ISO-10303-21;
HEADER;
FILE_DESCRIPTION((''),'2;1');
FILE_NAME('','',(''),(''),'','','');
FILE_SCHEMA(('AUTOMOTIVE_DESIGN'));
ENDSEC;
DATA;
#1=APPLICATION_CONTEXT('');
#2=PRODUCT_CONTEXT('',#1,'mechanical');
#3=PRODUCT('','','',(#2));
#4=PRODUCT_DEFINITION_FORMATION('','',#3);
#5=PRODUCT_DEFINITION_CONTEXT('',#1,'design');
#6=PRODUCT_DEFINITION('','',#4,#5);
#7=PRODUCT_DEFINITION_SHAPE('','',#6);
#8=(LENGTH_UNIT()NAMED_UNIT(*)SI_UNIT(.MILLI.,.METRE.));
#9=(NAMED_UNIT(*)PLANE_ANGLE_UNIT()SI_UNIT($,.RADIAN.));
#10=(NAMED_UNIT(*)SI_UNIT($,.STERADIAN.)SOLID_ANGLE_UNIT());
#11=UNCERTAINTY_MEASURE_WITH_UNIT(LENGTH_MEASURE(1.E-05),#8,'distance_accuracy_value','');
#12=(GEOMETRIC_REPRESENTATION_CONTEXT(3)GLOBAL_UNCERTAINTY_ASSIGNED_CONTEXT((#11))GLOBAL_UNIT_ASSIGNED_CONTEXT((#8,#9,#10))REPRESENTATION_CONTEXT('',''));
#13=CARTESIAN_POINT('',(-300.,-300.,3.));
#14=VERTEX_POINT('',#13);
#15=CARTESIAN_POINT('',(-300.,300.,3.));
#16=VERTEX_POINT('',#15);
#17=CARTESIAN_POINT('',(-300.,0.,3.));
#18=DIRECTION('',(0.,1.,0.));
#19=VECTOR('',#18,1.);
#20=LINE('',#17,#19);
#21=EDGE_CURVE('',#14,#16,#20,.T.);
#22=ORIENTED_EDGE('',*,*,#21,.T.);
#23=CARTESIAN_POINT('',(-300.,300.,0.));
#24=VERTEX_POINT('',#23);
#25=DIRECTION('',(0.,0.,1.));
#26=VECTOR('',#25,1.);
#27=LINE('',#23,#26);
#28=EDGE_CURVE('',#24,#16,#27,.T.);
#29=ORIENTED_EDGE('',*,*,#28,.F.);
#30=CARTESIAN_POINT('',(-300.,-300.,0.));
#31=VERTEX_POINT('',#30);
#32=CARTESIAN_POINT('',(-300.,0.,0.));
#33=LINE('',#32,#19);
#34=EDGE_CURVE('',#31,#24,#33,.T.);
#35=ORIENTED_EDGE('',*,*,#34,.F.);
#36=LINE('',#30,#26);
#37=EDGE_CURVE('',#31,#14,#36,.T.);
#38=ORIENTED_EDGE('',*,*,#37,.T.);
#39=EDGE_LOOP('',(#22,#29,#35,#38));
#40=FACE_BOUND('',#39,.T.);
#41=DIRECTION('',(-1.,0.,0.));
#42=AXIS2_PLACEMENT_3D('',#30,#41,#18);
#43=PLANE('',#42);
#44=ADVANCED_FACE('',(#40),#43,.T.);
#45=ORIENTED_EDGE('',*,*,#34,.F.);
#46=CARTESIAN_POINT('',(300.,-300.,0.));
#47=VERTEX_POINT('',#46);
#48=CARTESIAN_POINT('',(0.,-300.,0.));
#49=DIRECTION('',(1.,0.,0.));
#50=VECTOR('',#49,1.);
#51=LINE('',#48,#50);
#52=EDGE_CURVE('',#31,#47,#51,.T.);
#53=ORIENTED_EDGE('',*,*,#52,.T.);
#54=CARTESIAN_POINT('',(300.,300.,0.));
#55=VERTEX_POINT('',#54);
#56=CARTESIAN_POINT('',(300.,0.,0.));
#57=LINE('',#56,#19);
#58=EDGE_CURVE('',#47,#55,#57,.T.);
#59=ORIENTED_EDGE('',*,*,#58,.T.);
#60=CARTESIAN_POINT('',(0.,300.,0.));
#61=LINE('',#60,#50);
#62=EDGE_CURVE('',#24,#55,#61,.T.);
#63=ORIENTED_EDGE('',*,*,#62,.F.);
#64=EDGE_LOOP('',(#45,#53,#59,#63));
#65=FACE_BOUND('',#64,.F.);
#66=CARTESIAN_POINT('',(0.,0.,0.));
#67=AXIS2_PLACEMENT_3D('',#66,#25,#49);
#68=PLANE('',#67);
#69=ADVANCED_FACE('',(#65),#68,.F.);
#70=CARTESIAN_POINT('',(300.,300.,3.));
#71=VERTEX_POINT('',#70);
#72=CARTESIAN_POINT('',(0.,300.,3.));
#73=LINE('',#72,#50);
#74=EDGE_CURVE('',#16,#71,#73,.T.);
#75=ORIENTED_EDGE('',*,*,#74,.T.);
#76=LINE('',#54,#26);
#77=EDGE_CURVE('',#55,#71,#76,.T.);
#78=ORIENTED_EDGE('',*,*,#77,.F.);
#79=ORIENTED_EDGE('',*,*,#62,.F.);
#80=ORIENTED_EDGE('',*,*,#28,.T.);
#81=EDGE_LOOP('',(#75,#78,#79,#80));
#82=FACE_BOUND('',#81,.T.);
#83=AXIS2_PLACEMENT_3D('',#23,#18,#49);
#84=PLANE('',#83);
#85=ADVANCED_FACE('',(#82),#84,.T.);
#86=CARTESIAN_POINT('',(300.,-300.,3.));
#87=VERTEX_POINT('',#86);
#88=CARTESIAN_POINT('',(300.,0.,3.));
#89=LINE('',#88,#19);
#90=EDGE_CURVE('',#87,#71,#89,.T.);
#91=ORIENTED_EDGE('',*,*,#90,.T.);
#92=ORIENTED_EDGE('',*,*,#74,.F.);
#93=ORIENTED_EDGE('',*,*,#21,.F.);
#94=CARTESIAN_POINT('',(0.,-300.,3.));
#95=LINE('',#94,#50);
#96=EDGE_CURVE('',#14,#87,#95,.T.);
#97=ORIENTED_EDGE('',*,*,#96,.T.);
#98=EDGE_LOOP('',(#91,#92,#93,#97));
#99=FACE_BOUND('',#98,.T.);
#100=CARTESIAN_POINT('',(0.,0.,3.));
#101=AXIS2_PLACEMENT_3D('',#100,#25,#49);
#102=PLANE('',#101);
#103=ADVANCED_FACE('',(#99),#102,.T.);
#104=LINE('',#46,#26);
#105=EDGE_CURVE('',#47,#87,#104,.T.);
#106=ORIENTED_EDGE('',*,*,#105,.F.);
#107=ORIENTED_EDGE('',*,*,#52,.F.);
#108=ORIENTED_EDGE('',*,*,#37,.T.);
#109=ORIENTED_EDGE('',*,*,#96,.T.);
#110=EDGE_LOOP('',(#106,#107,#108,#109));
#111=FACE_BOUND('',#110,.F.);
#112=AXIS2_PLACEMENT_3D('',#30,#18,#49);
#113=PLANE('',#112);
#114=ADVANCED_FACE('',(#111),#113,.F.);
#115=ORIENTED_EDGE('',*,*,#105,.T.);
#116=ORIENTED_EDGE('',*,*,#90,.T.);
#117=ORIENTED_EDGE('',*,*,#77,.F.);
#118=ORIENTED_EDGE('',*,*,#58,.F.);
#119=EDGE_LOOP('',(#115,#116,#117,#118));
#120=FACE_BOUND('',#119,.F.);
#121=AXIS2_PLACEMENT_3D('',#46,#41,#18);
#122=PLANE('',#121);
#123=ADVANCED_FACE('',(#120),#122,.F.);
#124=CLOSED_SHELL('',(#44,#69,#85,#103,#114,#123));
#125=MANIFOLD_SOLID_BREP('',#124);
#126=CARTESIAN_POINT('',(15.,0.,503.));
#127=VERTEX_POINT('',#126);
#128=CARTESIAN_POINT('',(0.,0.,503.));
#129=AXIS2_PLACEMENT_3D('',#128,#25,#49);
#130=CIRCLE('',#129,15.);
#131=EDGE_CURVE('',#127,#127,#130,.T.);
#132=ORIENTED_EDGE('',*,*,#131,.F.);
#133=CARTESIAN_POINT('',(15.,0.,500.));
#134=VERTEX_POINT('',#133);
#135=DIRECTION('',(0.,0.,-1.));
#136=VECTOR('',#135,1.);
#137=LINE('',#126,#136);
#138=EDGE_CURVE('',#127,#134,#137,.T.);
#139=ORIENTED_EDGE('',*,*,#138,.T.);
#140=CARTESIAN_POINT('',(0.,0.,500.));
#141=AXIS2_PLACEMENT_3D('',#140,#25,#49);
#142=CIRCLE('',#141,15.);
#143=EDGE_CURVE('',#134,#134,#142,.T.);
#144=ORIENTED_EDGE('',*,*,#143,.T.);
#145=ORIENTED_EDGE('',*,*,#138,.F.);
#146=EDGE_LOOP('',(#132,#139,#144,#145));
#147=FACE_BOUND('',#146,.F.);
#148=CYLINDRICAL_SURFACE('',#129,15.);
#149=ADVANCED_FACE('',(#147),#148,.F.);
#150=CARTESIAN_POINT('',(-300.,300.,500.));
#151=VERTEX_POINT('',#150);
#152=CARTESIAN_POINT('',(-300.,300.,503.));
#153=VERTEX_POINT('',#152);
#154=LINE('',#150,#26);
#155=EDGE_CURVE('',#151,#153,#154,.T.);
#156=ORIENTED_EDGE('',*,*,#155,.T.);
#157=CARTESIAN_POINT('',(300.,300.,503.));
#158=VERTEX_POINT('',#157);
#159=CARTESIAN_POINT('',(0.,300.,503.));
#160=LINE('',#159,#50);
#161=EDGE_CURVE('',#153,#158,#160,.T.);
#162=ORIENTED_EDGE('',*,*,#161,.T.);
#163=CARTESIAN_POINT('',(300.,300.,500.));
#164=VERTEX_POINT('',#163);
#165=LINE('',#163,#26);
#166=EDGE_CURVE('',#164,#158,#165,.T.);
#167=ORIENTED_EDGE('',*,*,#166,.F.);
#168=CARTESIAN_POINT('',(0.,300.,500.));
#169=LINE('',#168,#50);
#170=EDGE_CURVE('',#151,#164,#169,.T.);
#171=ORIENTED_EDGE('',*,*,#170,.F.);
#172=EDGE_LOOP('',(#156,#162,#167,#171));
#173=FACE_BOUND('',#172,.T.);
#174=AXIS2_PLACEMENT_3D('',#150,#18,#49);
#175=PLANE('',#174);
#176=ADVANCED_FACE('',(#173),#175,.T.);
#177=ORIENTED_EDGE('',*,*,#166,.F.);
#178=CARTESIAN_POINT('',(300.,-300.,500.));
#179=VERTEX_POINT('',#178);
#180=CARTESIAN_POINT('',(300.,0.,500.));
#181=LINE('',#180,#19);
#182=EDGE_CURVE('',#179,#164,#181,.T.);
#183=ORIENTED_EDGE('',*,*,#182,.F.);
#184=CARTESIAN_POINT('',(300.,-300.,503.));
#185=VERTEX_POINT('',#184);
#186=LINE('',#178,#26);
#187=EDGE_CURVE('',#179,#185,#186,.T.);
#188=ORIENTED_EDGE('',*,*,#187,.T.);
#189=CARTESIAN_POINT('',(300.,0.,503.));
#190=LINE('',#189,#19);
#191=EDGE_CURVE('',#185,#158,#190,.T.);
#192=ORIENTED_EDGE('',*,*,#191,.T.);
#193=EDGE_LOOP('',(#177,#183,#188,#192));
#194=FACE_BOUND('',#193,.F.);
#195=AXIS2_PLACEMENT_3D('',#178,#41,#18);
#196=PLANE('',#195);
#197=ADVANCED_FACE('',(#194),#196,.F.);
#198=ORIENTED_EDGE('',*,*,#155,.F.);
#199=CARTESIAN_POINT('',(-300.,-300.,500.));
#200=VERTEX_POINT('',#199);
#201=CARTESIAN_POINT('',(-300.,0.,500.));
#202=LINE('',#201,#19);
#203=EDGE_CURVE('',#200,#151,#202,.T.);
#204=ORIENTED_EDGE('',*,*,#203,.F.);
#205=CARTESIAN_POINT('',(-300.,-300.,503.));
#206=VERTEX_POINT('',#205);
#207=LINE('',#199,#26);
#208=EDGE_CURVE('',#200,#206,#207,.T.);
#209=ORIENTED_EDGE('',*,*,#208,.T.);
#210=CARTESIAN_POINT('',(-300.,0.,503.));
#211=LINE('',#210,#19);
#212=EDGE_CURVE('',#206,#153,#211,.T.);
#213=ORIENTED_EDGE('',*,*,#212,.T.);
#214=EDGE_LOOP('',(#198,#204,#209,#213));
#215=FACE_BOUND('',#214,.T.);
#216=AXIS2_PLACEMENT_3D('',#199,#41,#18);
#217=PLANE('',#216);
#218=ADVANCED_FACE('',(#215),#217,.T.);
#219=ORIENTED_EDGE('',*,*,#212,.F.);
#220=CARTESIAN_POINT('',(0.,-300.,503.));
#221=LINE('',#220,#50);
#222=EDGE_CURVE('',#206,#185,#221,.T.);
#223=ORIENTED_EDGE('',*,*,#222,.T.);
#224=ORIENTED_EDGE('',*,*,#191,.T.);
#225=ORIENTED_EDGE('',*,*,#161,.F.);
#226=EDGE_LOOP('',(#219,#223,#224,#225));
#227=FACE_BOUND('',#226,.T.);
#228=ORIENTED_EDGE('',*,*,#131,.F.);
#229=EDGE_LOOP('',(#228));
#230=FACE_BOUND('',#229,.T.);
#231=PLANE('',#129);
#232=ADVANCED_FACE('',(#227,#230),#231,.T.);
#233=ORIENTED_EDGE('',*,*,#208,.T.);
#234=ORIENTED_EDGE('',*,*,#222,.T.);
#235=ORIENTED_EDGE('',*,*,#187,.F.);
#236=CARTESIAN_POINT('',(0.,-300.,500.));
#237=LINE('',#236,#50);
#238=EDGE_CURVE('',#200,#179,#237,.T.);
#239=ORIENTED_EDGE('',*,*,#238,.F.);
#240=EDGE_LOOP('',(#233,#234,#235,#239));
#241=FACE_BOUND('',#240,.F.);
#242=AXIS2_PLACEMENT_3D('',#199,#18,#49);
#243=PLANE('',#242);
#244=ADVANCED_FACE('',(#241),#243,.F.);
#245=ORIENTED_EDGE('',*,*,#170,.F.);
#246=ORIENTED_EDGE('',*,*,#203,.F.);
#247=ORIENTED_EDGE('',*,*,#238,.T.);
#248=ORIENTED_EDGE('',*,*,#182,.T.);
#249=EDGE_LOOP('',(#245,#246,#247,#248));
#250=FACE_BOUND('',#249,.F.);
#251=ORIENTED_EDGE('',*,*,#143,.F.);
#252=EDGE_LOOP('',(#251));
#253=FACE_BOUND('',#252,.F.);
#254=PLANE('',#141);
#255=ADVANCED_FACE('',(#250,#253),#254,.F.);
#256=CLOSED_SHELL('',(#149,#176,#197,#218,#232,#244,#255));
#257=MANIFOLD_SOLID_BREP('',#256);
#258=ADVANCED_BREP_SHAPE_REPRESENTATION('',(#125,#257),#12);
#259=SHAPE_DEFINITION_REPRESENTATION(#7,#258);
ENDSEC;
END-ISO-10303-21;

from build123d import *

# Parameters (mm, degrees)
F0_W      = 600
F0_H      = 600
F1_DEPTH  = 3
F3_R      = 15
F3_W      = 603
F3_H      = 603
F3_R_2    = 51.9341376396
F4_DEPTH  = 3
F10_DEPTH = 3
F11_W     = 603
F11_H     = 603
F12_DEPTH = 3


with BuildPart() as f1:
    # F0 (on Top) → F1 (new body)
    with BuildSketch(Plane.XY):
        Rectangle(F0_W, F0_H)
    extrude(amount=F1_DEPTH)


with BuildPart() as f2_1:
    # F2: copy of F1
    add(f1.part.moved(Location((0, 0, 500))))

    # F3 (on face) → F4 (cut, through all)
    with BuildSketch(Plane.XY.offset(503)):
        Circle(F3_R)
        with Locations((787.125565052, -26.1663422585)):
            Rectangle(F3_W, F3_H)
        with Locations((775.917828083, 0)):
            Circle(F3_R_2, mode=Mode.SUBTRACT)
    extrude(amount=-F4_DEPTH, mode=Mode.SUBTRACT)


with BuildPart() as f5_1:
    # F5: copy of F1
    add(f1.part.moved(Location((0, 0, 250))))


with BuildPart() as f6_1:
    # F6: copy of F1
    add(f1.part.moved(Location((0, 0, -250))))


with BuildPart() as f8_1:
    # F8: copy of F6_1
    add(f6_1.part.moved(Location((0, 0, -500))))

    # F9 (on face) → F10 (cut, through all)
    with BuildSketch(Plane.XY.offset(-747)):
        with BuildLine():
            Line((300, -220), (300, -160.0022337274))
            ThreePointArc((300, -160.0022337274), (270.2588640055, -190.0011168637), (300, -220))
        make_face()
    extrude(amount=-F10_DEPTH, mode=Mode.SUBTRACT)


with BuildPart() as f12:
    # F11 (on Top) → F12 (new body)
    with BuildSketch(Plane.XY):
        Rectangle(F11_W, F11_H)
    extrude(amount=F12_DEPTH)


with BuildPart() as f15_1:
    # F15: copy of F12
    add(f12.part)


solid = Compound([f1.part, f2_1.part])
